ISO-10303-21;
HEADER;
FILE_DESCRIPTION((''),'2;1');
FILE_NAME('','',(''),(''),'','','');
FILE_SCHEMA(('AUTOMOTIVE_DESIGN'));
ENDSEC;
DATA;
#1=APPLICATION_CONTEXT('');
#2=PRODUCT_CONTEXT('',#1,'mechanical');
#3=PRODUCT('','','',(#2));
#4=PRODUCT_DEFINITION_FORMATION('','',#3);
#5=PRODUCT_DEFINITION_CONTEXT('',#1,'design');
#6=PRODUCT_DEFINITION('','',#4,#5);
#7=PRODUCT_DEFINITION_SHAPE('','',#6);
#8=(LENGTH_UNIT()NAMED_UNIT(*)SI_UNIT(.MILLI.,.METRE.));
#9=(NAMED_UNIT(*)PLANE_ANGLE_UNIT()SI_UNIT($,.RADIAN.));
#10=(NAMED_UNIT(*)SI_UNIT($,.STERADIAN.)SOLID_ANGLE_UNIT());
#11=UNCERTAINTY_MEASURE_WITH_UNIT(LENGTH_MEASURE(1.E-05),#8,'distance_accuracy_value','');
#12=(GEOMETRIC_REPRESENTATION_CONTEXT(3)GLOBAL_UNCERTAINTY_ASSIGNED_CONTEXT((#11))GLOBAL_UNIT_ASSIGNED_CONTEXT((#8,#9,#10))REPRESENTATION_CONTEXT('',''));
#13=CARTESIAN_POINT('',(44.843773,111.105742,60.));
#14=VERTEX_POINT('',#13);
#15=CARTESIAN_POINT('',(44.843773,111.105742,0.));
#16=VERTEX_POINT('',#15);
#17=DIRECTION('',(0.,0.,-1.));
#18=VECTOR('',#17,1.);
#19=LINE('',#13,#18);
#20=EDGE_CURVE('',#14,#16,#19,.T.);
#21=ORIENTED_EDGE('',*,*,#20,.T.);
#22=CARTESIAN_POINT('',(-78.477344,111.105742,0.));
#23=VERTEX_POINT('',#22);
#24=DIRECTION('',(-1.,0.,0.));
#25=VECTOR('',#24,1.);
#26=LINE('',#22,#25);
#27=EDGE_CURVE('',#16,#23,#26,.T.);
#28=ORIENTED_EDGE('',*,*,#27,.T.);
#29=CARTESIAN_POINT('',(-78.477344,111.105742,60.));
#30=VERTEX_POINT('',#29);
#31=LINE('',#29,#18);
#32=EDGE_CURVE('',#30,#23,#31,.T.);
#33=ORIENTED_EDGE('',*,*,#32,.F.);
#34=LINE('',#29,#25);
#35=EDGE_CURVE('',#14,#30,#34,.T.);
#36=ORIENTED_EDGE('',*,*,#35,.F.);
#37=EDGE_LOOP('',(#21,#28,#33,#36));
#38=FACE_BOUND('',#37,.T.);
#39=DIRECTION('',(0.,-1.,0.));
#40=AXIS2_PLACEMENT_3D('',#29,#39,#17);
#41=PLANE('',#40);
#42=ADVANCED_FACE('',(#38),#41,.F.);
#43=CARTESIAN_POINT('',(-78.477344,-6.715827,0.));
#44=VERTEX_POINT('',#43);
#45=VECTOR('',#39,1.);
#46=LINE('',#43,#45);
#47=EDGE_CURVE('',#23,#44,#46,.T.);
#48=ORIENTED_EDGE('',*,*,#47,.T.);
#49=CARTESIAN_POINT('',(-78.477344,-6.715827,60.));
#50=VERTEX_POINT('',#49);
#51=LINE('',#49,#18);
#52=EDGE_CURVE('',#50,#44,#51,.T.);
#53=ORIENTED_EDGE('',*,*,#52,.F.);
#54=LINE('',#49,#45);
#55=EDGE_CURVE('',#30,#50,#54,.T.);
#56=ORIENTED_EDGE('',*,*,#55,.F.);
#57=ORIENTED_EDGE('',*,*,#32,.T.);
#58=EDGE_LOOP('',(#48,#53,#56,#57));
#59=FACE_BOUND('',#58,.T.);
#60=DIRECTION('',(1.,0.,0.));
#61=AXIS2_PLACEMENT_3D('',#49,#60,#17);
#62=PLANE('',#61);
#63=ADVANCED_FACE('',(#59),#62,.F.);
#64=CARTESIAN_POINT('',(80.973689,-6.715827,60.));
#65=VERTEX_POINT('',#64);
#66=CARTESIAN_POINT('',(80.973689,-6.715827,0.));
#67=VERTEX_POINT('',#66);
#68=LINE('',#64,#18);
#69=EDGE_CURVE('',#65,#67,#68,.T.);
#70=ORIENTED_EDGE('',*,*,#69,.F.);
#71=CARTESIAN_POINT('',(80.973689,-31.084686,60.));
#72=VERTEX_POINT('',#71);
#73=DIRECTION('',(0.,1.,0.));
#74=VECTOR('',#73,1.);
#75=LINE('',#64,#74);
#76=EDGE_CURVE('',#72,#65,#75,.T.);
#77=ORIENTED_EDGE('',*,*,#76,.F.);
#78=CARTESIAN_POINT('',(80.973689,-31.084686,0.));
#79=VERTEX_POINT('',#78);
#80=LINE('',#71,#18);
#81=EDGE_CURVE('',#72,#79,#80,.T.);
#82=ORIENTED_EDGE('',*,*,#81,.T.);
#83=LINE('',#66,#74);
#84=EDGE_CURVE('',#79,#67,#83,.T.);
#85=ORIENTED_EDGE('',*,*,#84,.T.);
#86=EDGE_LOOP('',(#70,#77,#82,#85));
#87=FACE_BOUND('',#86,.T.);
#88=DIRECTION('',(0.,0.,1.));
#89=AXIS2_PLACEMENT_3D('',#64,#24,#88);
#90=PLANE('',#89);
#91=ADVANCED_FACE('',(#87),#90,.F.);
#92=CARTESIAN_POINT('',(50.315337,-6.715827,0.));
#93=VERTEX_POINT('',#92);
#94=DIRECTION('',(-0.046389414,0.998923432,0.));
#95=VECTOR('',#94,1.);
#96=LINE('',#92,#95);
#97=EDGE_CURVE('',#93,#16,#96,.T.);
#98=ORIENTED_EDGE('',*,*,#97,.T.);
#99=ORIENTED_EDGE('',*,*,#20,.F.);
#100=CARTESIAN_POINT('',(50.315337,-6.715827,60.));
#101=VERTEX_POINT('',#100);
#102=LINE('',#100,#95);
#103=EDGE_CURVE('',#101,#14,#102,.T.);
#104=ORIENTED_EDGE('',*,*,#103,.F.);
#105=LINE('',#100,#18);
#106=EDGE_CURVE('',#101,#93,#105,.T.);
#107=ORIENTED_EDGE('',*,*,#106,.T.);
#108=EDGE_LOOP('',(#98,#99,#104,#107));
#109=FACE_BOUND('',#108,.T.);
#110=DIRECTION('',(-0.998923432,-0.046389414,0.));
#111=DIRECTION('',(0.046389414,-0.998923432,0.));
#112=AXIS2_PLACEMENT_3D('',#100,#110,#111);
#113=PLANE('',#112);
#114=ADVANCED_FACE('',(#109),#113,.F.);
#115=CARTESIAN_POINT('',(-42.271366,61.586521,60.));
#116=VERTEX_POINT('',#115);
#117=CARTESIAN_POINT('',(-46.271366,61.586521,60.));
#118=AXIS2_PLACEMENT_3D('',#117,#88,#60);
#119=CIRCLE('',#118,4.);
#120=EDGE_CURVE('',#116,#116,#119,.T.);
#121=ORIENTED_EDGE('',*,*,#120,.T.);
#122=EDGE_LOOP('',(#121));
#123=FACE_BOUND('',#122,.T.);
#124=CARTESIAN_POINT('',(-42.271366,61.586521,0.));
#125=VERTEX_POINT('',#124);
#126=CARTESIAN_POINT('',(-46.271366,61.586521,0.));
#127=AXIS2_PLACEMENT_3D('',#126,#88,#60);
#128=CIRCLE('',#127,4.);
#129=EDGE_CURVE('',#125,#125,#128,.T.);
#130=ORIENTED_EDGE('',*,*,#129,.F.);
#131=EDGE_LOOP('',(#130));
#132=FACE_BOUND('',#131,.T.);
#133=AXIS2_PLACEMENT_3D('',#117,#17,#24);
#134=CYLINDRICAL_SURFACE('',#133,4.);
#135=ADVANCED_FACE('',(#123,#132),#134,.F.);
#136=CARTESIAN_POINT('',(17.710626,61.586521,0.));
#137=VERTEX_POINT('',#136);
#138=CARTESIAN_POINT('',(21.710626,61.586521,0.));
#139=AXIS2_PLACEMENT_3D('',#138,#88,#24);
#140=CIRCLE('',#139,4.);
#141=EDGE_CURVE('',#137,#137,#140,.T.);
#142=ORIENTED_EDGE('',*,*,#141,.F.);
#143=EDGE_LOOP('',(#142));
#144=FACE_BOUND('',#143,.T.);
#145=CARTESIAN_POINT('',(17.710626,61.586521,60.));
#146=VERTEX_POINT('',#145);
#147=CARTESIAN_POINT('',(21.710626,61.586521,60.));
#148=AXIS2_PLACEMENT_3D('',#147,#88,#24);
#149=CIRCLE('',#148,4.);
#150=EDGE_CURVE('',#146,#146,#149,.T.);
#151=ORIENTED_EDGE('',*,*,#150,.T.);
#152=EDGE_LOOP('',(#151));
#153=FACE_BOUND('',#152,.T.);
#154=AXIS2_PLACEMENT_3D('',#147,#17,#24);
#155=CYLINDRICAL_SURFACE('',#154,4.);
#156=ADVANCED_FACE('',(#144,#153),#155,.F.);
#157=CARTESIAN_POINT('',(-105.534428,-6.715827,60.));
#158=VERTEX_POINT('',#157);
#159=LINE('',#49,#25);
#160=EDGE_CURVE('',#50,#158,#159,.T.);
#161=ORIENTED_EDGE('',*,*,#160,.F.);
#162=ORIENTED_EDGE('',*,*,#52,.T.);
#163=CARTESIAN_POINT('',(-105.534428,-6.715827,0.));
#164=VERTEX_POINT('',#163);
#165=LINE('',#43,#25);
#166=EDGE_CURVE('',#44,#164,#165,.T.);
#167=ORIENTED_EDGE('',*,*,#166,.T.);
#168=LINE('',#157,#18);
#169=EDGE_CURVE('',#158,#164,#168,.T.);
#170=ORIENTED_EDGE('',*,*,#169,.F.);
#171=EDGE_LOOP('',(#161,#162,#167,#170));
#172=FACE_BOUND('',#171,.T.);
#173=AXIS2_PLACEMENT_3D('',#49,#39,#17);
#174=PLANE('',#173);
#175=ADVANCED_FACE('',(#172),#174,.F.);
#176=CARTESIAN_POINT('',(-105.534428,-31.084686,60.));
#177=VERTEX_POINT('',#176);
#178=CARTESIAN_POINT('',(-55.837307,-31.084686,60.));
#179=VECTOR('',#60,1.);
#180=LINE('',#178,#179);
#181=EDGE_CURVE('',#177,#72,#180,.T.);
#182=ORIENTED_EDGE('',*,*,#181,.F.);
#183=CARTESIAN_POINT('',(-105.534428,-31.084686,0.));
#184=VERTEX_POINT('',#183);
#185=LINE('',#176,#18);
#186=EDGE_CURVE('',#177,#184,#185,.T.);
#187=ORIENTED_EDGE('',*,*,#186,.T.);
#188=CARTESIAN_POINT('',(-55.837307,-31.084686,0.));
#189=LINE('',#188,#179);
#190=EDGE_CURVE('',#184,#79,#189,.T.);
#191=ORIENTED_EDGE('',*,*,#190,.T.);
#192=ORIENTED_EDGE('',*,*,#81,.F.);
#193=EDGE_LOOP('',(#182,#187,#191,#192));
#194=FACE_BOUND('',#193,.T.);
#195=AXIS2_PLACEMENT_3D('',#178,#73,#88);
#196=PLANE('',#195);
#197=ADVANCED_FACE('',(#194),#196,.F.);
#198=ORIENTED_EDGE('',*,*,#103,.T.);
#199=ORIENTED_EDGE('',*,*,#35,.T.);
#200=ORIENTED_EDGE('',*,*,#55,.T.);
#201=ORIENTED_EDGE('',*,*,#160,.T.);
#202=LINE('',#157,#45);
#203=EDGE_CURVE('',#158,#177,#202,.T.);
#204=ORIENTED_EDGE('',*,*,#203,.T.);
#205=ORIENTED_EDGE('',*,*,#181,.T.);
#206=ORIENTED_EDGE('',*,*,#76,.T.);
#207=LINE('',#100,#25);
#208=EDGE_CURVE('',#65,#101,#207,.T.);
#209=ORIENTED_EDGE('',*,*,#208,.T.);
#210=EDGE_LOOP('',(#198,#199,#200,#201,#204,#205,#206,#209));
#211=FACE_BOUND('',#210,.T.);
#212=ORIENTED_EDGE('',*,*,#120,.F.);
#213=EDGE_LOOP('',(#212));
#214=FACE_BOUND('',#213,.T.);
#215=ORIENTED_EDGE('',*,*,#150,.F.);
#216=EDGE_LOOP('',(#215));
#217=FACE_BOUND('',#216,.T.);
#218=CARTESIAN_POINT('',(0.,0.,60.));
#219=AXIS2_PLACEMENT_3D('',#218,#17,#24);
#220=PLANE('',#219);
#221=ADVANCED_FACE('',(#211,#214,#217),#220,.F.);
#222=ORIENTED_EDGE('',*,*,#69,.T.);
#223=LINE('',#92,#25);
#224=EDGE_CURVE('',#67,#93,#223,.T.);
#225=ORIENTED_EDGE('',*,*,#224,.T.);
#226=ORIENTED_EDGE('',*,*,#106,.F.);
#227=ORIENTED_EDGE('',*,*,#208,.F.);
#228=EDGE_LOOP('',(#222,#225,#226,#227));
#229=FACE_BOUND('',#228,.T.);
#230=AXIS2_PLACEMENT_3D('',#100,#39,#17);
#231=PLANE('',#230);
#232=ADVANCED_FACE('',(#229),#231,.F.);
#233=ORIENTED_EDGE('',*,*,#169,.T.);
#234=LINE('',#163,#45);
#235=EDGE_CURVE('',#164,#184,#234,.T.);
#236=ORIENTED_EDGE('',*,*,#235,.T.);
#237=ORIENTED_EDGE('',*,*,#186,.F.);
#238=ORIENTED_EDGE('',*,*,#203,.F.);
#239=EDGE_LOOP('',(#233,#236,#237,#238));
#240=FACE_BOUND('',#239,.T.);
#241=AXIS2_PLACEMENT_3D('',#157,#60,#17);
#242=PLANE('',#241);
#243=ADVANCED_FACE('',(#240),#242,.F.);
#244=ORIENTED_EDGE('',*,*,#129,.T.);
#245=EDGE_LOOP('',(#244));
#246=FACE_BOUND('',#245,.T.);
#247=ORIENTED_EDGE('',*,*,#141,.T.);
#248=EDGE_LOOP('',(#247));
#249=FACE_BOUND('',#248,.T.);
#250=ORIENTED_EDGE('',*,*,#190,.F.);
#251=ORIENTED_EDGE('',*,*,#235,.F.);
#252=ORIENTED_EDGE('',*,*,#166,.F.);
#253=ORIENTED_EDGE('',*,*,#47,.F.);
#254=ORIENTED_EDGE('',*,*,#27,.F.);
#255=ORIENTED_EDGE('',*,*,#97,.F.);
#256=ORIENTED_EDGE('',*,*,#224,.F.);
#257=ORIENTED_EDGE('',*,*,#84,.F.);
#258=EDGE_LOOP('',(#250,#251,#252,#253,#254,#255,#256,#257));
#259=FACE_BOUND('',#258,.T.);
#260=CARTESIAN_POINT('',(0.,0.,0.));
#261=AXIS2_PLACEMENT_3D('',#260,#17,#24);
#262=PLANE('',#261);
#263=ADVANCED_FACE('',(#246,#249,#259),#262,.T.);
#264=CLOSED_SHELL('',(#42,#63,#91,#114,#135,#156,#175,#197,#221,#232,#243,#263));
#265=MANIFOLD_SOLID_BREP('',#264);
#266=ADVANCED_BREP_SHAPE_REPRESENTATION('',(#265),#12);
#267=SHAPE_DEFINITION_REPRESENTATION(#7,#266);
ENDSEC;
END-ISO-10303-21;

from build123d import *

# Parameters (mm, degrees)
SKETCH1_R           = 4
BOSS_EXTRUDE1_DEPTH = 60


with BuildPart() as part:
    # Sketch1 → Boss-Extrude1 (new body)
    with BuildSketch(Plane.XY):
        Polygon((-78.477343622, -6.715827259), (-105.53442836, -6.715827259), (-105.53442836, -31.084686171), (-55.837306641, -31.084686171), (31.27656695, -31.084686171), (80.973688669, -31.084686171), (80.973688669, -6.715827259), (50.315337096, -6.715827259), (44.843773057, 111.105741969), (-78.477343622, 111.105741969), align=None)
        with Locations((-46.271365908, 61.586520729)):
            Circle(SKETCH1_R, mode=Mode.SUBTRACT)
        with Locations((21.710626217, 61.586520729)):
            Circle(SKETCH1_R, mode=Mode.SUBTRACT)
    extrude(amount=BOSS_EXTRUDE1_DEPTH)


solid = part.part
